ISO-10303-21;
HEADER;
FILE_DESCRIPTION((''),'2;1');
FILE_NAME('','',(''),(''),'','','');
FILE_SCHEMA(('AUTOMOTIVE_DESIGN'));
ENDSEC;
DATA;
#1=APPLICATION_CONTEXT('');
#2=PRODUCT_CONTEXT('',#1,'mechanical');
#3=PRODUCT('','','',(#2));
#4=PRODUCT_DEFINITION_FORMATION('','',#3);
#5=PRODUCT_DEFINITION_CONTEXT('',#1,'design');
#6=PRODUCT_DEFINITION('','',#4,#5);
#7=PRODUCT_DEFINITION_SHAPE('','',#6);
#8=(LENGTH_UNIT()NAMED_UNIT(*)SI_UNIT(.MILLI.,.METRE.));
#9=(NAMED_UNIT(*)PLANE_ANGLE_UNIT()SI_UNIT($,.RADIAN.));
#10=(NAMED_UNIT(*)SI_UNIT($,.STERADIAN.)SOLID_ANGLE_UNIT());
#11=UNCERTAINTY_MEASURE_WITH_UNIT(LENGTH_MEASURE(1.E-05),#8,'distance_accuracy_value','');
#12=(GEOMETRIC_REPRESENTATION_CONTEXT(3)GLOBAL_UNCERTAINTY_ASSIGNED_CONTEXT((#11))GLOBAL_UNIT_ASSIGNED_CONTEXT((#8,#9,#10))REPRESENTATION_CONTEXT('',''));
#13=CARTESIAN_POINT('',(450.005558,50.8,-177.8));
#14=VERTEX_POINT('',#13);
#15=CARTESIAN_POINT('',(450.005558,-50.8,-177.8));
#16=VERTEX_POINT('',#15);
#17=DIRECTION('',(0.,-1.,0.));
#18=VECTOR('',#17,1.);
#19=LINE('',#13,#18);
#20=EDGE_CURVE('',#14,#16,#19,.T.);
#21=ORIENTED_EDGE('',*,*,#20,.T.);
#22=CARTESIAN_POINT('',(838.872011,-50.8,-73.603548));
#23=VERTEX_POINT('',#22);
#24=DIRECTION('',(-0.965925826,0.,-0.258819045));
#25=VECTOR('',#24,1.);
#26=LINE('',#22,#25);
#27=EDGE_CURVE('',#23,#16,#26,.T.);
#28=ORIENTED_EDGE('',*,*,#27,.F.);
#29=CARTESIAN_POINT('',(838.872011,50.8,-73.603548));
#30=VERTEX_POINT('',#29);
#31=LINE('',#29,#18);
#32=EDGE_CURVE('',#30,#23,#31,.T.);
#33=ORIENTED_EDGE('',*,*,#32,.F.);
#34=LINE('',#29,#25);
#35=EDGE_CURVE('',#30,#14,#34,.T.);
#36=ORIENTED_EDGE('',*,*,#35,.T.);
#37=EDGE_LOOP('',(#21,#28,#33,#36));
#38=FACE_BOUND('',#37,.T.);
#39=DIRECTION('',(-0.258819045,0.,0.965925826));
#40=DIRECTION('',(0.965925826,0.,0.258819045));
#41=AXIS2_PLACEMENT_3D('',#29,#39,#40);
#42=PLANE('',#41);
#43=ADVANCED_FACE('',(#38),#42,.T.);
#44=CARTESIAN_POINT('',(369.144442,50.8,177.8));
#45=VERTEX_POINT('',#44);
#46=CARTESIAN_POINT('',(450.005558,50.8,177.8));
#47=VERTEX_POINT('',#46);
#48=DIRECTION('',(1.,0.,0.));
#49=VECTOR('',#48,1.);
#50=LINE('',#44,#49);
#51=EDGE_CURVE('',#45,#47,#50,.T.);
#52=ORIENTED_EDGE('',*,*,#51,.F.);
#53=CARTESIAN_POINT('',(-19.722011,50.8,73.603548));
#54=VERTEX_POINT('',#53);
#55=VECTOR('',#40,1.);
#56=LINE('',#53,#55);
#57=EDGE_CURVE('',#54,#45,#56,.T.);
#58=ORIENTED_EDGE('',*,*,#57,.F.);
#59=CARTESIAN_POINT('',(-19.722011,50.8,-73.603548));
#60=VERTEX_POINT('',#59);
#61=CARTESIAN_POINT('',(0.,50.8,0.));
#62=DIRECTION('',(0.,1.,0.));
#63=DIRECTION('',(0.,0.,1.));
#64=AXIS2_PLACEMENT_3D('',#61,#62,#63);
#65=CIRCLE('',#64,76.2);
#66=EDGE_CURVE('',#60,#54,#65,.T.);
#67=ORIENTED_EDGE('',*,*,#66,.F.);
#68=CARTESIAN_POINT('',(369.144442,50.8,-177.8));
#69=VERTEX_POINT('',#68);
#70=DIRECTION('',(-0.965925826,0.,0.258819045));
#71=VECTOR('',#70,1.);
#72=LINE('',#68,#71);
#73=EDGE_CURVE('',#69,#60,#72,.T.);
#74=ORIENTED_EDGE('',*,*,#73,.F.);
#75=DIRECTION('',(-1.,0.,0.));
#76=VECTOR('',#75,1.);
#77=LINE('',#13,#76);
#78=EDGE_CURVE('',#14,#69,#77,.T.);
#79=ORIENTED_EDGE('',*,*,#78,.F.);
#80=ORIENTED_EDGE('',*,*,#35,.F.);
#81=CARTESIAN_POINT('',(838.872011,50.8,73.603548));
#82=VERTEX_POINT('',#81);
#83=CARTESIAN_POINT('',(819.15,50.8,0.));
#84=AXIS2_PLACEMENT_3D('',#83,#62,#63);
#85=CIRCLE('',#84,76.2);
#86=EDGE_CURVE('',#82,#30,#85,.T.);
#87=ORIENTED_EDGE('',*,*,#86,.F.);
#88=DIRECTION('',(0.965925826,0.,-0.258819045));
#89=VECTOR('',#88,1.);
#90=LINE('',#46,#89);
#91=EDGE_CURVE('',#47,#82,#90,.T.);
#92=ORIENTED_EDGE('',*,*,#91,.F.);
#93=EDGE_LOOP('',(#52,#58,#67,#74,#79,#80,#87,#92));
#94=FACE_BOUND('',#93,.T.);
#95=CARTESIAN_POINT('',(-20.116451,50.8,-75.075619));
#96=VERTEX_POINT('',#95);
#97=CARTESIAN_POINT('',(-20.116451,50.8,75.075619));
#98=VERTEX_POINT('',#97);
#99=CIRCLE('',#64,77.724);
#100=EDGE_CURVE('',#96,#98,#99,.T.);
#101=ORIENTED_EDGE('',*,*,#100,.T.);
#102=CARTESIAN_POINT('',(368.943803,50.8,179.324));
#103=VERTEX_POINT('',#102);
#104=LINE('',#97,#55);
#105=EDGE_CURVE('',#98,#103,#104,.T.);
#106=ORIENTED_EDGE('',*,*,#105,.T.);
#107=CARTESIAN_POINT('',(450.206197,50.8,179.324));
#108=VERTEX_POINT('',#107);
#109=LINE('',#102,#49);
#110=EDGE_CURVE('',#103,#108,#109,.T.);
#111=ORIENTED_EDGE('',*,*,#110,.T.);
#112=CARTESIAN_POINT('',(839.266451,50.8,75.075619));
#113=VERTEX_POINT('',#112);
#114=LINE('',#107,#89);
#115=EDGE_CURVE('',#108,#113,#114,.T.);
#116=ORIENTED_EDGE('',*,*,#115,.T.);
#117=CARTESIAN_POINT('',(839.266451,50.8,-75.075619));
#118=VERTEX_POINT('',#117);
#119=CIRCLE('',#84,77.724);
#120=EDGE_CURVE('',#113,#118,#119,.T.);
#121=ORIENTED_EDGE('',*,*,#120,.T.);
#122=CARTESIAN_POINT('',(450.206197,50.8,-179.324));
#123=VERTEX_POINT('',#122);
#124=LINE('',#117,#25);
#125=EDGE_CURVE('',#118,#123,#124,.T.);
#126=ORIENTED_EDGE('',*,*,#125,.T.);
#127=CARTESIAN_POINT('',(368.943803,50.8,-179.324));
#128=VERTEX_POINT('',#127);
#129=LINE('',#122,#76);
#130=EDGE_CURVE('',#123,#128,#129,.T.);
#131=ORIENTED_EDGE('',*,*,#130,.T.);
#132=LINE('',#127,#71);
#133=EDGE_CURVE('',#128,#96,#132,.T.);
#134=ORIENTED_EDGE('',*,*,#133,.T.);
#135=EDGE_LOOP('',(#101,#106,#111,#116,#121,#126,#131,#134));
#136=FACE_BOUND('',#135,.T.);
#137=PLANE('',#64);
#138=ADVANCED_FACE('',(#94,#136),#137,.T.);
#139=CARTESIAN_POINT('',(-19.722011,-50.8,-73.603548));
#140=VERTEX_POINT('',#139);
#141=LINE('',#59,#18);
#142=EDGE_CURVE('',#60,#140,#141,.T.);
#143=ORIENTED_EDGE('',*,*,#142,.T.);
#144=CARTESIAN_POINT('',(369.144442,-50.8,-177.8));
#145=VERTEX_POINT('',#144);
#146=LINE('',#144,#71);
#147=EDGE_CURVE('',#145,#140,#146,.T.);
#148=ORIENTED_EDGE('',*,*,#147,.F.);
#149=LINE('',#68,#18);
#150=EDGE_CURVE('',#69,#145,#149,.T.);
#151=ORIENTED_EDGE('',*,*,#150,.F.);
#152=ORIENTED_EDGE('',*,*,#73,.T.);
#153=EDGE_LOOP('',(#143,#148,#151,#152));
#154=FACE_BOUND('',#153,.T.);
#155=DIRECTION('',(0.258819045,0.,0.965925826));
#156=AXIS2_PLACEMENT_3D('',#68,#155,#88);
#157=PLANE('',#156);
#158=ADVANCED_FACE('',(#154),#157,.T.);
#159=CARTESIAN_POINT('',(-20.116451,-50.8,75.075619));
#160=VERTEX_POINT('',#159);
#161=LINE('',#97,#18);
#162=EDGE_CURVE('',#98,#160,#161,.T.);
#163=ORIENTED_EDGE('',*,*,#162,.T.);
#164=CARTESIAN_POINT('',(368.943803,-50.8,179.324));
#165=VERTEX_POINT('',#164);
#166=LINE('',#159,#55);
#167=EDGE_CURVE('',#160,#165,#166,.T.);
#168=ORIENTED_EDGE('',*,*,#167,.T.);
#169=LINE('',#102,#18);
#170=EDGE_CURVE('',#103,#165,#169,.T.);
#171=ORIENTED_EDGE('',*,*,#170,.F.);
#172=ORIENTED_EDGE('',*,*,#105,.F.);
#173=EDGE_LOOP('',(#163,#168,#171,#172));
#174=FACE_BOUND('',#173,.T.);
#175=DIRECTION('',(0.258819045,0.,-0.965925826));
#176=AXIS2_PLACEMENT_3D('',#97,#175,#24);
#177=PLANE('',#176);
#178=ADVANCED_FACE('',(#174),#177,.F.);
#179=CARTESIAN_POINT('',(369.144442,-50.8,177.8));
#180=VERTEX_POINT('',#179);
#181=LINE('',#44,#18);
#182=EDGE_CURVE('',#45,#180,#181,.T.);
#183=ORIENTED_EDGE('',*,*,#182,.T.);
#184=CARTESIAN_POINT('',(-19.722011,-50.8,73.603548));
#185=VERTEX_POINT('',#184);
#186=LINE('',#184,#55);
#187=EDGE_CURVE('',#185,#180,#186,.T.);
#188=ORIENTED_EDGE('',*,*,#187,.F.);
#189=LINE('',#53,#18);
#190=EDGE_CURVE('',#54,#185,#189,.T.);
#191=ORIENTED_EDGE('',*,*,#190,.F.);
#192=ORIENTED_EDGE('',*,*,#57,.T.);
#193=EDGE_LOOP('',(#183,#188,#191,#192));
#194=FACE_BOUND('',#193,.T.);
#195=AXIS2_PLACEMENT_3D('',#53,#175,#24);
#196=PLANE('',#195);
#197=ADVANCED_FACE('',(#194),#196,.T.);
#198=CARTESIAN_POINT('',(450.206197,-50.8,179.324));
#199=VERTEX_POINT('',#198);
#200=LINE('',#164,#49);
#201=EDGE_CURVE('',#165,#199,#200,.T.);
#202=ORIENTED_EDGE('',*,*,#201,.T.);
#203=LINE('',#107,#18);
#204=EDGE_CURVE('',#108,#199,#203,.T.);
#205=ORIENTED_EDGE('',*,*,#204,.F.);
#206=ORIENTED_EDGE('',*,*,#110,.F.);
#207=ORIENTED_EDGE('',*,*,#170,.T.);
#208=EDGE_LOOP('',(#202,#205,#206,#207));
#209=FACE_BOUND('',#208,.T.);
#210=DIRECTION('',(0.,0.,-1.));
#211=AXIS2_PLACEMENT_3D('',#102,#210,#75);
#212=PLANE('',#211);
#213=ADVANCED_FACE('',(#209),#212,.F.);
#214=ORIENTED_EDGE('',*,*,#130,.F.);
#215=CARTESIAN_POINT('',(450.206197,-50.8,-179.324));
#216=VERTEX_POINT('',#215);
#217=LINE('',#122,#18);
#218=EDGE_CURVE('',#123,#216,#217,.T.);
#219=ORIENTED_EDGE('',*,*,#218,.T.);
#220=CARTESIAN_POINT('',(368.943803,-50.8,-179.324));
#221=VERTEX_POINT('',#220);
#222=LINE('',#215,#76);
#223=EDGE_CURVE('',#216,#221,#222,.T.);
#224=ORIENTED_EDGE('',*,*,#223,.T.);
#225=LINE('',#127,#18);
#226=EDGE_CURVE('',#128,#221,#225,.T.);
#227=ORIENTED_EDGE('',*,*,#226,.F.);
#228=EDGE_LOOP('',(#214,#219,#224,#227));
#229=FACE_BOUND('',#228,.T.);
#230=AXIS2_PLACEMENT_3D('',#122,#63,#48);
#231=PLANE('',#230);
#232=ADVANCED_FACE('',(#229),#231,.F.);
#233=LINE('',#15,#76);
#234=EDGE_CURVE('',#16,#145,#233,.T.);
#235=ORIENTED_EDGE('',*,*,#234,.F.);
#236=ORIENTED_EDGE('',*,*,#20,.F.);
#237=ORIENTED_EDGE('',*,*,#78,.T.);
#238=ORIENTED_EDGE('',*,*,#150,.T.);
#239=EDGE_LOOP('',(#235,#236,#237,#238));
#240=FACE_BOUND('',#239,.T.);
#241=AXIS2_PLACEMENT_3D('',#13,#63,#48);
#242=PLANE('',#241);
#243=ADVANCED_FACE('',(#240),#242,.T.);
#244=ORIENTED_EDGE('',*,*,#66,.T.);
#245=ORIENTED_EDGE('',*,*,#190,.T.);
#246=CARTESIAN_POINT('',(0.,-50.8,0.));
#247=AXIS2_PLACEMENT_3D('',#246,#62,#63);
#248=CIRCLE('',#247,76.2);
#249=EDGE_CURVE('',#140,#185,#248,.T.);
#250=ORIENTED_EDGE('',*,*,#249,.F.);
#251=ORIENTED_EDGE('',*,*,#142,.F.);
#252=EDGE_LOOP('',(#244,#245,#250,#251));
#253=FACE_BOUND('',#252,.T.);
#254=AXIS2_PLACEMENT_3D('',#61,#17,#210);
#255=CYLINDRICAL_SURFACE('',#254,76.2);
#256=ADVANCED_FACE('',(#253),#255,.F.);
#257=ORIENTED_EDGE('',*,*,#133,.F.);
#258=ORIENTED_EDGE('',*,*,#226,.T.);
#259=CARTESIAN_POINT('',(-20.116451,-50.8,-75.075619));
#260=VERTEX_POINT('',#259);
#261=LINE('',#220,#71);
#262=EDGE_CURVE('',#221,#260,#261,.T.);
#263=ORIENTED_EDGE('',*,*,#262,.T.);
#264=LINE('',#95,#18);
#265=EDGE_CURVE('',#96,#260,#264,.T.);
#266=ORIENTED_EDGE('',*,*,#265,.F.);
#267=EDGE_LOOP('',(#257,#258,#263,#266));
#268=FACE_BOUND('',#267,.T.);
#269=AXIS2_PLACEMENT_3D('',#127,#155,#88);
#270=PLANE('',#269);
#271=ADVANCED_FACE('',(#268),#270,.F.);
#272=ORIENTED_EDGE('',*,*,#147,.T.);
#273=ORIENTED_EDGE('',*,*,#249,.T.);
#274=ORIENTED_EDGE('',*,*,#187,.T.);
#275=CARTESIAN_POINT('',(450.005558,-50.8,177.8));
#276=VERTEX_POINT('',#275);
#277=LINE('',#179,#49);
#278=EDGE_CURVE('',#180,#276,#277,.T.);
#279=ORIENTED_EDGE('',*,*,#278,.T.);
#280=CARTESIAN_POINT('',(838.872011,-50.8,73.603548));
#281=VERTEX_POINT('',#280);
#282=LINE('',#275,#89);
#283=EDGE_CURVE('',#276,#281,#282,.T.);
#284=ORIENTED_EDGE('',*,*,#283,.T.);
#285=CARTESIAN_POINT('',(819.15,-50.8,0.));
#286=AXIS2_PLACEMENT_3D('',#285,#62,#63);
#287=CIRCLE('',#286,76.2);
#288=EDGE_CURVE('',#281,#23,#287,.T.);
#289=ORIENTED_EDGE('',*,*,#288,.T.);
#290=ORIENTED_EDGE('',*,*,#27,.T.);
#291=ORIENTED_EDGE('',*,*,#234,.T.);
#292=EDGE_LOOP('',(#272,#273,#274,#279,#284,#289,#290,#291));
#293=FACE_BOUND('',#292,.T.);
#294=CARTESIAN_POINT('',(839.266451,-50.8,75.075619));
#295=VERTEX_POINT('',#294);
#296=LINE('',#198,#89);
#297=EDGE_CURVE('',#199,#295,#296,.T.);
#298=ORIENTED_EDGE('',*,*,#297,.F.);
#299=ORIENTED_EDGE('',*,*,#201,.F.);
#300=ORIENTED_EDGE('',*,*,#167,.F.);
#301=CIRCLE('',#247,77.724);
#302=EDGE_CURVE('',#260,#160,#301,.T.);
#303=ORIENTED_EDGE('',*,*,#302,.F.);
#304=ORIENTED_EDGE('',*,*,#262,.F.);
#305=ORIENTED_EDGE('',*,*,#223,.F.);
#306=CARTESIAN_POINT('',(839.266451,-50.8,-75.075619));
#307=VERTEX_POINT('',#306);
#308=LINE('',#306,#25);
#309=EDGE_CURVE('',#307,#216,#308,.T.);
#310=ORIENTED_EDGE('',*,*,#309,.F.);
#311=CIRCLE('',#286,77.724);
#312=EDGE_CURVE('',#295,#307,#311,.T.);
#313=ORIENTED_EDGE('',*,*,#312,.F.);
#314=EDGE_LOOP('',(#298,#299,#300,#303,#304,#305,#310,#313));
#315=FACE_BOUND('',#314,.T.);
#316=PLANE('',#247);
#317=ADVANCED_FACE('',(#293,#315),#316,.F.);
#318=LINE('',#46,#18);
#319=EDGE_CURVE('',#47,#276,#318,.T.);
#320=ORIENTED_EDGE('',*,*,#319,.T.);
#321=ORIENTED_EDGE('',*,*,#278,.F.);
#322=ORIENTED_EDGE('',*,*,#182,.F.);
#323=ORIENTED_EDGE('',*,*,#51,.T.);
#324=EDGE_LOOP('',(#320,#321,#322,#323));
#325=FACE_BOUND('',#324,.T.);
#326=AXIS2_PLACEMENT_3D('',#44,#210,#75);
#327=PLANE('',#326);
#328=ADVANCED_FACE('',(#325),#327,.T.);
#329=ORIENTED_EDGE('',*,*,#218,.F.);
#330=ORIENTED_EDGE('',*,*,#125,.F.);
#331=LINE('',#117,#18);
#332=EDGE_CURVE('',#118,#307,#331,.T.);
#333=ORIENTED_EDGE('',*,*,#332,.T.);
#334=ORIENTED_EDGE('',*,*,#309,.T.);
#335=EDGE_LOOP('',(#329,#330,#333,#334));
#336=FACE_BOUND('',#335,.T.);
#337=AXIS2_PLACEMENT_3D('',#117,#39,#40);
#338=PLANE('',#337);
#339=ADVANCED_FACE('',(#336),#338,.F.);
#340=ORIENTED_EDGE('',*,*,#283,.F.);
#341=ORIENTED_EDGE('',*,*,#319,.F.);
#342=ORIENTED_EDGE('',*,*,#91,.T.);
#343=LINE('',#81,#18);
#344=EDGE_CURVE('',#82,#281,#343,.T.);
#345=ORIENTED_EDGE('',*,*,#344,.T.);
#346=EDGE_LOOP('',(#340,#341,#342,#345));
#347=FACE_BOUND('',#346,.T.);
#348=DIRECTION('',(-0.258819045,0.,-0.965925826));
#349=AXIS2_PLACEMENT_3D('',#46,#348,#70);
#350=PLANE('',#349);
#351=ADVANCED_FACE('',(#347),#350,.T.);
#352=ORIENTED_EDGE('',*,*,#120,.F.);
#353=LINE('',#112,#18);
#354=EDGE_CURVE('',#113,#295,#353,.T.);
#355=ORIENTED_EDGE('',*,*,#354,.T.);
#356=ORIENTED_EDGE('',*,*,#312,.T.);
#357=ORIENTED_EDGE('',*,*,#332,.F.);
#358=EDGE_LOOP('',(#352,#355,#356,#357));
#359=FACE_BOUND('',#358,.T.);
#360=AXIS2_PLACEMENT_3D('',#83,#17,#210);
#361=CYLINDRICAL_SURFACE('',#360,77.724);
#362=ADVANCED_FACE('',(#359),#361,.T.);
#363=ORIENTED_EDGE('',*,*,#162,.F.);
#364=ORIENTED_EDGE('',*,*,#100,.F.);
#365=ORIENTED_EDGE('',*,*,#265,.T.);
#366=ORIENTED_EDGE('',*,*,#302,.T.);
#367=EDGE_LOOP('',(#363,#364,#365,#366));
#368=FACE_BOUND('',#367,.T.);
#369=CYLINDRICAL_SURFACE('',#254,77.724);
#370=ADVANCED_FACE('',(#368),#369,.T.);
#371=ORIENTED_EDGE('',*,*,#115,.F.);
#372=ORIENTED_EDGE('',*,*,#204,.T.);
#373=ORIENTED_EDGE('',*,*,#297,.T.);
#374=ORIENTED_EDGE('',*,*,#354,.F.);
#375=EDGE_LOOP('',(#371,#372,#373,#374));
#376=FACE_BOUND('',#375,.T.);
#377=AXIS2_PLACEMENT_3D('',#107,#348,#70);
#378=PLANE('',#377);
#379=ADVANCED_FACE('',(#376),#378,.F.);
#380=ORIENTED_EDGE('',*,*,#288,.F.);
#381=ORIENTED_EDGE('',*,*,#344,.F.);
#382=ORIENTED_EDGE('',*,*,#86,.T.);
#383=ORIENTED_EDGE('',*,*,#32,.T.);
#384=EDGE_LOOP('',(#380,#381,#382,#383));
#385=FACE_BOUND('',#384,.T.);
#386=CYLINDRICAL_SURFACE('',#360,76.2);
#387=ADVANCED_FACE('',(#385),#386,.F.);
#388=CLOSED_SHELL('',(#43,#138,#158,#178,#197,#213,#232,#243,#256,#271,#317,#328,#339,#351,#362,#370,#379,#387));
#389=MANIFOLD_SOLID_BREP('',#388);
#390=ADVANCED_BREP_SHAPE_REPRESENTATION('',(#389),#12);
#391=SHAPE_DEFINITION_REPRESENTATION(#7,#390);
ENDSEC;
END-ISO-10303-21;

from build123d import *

# Parameters (mm, degrees)
SKETCH1_R           = 77.724
BOSS_EXTRUDE1_DEPTH = 50.8
BOSS_EXTRUDE2_START = -50.8
BOSS_EXTRUDE2_DEPTH = 101.6
BOSS_EXTRUDE3_START = -50.8
SKETCH3_R           = 77.724
BOSS_EXTRUDE3_DEPTH = 101.6
CUT_EXTRUDE2_START  = -50.8
CUT_EXTRUDE2_DEPTH  = 967.835320745
CUT_EXTRUDE4_START  = -50.8
SKETCH5_R           = 76.2
CUT_EXTRUDE4_DEPTH  = 967.835320745
CUT_EXTRUDE6_START  = -50.8
SKETCH6_R           = 76.2
CUT_EXTRUDE6_DEPTH  = 967.835320745


with BuildPart() as part:
    # Sketch1 → Boss-Extrude1 (new, symmetric)
    with BuildSketch(Plane(origin=(0, 0, 0), x_dir=(1, 0, 0), z_dir=(0, 1, 0))):
        with Locations(Location((0, 0, 0), (0, 0, 270))):
            Circle(SKETCH1_R)
    extrude(amount=BOSS_EXTRUDE1_DEPTH, both=True)

    # Sketch2 → Boss-Extrude2 (add)
    with BuildSketch(Plane(origin=(0, 0, 0), x_dir=(1, 0, 0), z_dir=(0, 1, 0)).offset(BOSS_EXTRUDE2_START)):
        Polygon((-20.116451462, -75.075618922), (368.943803327, -179.324), (450.206196673, -179.324), (839.266451462, -75.075618922), (839.266451462, 75.075618922), (450.206196673, 179.324), (368.943803327, 179.324), (-20.116451462, 75.075618922), align=None)
    extrude(amount=BOSS_EXTRUDE2_DEPTH)

    # Sketch3 → Boss-Extrude3 (add)
    with BuildSketch(Plane(origin=(0, 0, 0), x_dir=(1, 0, 0), z_dir=(0, 1, 0)).offset(BOSS_EXTRUDE3_START)):
        with Locations((819.15, 0)):
            Circle(SKETCH3_R)
    extrude(amount=BOSS_EXTRUDE3_DEPTH)

    # Sketch4 → Cut-Extrude2 (cut, through all)
    with BuildSketch(Plane(origin=(0, 0, 0), x_dir=(1, 0, 0), z_dir=(0, 1, 0)).offset(CUT_EXTRUDE2_START)):
        Polygon((-19.722011237, -73.603547963), (369.144441733, -177.8), (450.005558267, -177.8), (838.872011237, -73.603547963), (838.872011237, 73.603547963), (450.005558267, 177.8), (369.144441733, 177.8), (-19.722011237, 73.603547963), align=None)
    extrude(amount=CUT_EXTRUDE2_DEPTH, mode=Mode.SUBTRACT)

    # Sketch5 → Cut-Extrude4 (cut, through all)
    with BuildSketch(Plane(origin=(0, 0, 0), x_dir=(1, 0, 0), z_dir=(0, 1, 0)).offset(CUT_EXTRUDE4_START)):
        Circle(SKETCH5_R)
    extrude(amount=CUT_EXTRUDE4_DEPTH, mode=Mode.SUBTRACT)

    # Sketch6 → Cut-Extrude6 (cut, through all)
    with BuildSketch(Plane(origin=(0, 0, 0), x_dir=(1, 0, 0), z_dir=(0, 1, 0)).offset(CUT_EXTRUDE6_START)):
        with Locations((819.15, 0)):
            Circle(SKETCH6_R)
    extrude(amount=CUT_EXTRUDE6_DEPTH, mode=Mode.SUBTRACT)


solid = part.part
